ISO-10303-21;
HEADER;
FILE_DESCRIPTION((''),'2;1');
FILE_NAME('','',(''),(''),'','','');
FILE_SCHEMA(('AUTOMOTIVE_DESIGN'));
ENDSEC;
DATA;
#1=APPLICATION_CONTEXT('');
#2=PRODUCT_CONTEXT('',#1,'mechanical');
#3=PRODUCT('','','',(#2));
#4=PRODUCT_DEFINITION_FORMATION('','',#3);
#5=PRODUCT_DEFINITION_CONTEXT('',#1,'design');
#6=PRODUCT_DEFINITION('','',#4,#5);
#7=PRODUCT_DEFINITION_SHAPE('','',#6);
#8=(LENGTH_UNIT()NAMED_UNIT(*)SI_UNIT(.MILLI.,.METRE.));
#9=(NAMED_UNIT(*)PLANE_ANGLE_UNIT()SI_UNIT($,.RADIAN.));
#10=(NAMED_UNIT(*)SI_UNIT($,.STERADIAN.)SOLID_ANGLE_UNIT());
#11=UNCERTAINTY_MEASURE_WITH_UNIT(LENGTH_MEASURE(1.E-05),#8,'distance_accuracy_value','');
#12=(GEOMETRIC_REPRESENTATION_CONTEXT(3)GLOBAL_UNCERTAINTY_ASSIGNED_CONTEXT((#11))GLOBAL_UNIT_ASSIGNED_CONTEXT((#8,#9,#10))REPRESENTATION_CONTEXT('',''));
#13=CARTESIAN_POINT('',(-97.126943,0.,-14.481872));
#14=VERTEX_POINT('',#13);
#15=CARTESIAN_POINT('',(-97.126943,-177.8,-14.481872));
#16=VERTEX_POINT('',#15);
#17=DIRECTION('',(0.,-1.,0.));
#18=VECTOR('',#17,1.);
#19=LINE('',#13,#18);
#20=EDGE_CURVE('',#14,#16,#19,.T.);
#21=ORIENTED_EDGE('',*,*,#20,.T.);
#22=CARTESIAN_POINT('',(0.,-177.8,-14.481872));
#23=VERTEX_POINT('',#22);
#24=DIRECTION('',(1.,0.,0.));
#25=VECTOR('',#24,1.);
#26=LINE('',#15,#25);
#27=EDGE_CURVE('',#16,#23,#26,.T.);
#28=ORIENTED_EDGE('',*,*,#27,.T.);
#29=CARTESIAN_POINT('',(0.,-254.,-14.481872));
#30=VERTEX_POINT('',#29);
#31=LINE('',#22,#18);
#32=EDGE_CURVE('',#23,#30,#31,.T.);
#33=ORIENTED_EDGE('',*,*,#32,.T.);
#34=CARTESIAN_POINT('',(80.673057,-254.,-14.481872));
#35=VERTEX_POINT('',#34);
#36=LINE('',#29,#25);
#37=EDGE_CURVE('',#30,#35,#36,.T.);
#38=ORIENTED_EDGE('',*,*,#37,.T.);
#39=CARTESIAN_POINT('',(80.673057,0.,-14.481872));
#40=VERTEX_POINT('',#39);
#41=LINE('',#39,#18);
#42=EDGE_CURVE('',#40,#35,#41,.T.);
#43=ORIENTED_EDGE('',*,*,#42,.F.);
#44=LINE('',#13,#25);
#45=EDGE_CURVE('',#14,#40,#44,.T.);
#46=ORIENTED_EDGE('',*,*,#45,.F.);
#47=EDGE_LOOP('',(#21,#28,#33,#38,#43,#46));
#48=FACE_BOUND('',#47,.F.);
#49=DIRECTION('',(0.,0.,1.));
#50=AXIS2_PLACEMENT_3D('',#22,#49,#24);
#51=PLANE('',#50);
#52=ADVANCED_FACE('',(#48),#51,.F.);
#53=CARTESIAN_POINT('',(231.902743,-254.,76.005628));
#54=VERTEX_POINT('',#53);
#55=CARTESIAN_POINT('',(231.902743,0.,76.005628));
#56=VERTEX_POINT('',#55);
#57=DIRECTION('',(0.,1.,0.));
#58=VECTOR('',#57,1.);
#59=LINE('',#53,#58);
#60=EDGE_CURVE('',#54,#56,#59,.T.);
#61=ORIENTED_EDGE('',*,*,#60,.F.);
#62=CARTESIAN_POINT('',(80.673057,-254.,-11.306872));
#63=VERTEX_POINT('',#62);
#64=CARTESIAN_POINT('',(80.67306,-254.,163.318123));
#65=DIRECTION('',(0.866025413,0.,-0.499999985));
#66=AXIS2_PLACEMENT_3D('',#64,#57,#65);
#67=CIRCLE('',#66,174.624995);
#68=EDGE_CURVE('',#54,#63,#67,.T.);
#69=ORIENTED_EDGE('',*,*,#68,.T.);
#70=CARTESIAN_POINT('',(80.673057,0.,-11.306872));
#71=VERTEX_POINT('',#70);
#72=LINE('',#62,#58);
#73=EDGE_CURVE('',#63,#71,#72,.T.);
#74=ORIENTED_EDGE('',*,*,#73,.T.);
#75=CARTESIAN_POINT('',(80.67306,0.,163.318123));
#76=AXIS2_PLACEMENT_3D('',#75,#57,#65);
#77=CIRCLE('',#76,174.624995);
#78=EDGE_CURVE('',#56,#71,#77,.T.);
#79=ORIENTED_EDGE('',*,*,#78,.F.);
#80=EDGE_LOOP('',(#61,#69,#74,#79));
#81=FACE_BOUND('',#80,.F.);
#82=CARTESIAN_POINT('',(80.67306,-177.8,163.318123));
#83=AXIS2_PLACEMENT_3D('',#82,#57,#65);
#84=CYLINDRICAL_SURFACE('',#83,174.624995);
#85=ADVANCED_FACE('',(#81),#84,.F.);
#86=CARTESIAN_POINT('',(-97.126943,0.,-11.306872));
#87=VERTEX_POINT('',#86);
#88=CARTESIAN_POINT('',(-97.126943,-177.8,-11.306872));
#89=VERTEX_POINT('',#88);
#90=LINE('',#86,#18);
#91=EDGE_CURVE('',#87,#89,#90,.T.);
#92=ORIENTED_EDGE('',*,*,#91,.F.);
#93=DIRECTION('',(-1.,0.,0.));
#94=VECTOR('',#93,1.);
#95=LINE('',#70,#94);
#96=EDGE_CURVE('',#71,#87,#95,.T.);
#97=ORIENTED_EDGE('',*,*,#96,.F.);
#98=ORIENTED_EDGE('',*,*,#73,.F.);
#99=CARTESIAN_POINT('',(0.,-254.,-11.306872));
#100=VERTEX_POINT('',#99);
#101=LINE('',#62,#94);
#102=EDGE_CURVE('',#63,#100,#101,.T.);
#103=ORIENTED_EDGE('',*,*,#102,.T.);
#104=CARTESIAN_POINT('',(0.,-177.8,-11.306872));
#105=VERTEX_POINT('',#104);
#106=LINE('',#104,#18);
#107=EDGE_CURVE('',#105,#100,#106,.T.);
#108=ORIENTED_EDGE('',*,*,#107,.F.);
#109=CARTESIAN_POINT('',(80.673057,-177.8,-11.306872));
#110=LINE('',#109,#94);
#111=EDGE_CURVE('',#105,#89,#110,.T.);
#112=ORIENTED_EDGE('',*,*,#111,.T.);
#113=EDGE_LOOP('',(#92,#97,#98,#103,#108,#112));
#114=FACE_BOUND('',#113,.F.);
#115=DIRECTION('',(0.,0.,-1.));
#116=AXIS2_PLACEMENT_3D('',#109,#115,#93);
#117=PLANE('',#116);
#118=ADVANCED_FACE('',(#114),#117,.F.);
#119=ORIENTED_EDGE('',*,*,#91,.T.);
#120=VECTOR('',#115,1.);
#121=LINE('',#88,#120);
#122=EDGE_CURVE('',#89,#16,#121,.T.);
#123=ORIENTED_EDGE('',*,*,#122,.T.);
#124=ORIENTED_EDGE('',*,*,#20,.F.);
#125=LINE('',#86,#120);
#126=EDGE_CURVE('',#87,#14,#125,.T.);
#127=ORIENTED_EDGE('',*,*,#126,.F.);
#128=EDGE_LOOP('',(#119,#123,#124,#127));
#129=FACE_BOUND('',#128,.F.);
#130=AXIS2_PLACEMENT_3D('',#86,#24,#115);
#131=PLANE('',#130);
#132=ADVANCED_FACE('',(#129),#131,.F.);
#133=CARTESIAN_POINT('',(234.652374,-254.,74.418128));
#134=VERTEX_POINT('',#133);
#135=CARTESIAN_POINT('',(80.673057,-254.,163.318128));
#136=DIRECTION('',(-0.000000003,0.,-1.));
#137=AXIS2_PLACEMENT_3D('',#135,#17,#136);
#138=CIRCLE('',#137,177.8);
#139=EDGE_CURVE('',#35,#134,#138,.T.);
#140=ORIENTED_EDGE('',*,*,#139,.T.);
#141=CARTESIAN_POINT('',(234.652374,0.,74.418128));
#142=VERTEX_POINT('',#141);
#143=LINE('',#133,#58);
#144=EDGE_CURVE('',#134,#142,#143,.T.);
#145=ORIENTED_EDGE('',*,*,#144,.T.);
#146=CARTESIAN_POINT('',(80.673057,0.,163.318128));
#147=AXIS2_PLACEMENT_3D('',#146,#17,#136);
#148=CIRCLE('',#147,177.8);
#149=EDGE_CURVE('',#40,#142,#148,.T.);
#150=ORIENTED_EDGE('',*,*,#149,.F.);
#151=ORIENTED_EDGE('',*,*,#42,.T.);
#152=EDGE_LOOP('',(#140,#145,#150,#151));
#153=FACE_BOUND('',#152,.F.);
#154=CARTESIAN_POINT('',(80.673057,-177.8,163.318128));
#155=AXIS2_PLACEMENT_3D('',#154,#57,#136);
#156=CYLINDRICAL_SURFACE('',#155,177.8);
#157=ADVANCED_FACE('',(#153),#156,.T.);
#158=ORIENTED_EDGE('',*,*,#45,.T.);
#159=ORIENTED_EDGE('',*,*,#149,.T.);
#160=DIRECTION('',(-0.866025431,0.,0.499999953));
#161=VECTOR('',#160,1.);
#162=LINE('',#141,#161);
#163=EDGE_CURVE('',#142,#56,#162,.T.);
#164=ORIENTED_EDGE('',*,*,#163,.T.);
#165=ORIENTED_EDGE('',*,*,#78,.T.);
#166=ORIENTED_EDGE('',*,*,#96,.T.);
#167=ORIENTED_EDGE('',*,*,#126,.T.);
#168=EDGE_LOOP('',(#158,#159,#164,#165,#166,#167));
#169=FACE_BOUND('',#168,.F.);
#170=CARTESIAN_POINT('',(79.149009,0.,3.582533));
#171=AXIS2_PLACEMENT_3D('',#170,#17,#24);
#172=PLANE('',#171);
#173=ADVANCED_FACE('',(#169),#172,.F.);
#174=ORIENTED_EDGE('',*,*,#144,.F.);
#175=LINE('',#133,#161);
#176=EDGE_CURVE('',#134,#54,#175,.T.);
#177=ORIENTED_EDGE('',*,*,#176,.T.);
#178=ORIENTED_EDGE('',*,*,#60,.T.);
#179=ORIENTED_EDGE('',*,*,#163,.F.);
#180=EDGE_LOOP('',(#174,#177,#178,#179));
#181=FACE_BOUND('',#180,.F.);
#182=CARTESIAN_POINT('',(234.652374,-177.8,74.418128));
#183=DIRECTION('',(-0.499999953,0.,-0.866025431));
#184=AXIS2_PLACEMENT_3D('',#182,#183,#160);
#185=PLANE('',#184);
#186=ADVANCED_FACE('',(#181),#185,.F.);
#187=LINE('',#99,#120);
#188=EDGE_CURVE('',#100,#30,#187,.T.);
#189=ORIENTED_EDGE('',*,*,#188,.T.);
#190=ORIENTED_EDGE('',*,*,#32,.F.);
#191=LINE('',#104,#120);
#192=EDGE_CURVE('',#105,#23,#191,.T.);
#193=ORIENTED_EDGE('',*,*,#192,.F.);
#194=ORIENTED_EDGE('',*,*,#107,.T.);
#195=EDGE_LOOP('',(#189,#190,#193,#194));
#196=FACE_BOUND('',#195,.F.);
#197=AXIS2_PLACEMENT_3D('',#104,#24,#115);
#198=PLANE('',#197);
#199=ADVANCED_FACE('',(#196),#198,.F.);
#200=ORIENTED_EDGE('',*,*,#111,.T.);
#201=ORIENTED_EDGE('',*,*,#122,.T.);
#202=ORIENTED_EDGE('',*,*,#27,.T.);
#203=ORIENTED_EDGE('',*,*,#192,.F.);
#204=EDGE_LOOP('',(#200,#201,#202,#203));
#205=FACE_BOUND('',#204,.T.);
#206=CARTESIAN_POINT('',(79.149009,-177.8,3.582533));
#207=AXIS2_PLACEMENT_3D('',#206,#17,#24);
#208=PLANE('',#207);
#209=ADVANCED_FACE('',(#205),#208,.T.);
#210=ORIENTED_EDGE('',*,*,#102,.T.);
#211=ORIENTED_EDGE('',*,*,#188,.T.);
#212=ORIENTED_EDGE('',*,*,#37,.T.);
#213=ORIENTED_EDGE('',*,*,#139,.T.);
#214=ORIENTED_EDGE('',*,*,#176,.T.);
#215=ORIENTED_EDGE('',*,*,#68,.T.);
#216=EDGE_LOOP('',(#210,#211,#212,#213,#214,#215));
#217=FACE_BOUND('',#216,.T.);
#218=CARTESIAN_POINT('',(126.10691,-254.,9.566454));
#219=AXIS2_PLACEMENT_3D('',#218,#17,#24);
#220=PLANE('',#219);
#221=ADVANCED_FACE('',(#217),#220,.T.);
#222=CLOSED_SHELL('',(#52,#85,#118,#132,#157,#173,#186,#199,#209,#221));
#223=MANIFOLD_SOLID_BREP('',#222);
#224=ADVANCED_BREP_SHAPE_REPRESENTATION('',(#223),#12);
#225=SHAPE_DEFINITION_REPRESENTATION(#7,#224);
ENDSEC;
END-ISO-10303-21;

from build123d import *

# Parameters (mm, degrees)
F1_DEPTH = 177.8
F3_DEPTH = 76.2


with BuildPart() as f1:
    # F0 (on Front) → F1 (new body)
    with BuildSketch(Plane.XZ):
        with BuildLine():
            Line((-97.126943, -11.306872), (-97.126943, -14.481872))
            Line((-97.126943, -14.481872), (80.673057, -14.481872))
            ThreePointArc((80.673057, -14.481872), (169.573057, 9.338811), (234.652374, 74.418128))
            Line((234.652374, 74.418128), (231.902743, 76.005628))
            ThreePointArc((231.902743, 76.005628), (167.985557, 12.088441), (80.673057, -11.306872))
            Line((80.673057, -11.306872), (-97.126943, -11.306872))
        make_face()
    extrude(amount=F1_DEPTH)

    # F2 (on face) → F3 (join)
    with BuildSketch(Plane.XZ.offset(177.8)):
        with BuildLine():
            Line((80.673057, -11.306872), (0, -11.306872))
            Line((0, -11.306872), (0, -14.481872))
            Line((0, -14.481872), (25.070544, -14.481872))
            Line((25.070544, -14.481872), (80.673057, -14.481872))
            ThreePointArc((80.673057, -14.481872), (169.573057, 9.338811), (234.652374, 74.418128))
            Line((234.652374, 74.418128), (231.902743, 76.005628))
            ThreePointArc((231.902743, 76.005628), (167.985557, 12.088441), (80.673057, -11.306872))
        make_face()
    extrude(amount=F3_DEPTH)


solid = f1.part
